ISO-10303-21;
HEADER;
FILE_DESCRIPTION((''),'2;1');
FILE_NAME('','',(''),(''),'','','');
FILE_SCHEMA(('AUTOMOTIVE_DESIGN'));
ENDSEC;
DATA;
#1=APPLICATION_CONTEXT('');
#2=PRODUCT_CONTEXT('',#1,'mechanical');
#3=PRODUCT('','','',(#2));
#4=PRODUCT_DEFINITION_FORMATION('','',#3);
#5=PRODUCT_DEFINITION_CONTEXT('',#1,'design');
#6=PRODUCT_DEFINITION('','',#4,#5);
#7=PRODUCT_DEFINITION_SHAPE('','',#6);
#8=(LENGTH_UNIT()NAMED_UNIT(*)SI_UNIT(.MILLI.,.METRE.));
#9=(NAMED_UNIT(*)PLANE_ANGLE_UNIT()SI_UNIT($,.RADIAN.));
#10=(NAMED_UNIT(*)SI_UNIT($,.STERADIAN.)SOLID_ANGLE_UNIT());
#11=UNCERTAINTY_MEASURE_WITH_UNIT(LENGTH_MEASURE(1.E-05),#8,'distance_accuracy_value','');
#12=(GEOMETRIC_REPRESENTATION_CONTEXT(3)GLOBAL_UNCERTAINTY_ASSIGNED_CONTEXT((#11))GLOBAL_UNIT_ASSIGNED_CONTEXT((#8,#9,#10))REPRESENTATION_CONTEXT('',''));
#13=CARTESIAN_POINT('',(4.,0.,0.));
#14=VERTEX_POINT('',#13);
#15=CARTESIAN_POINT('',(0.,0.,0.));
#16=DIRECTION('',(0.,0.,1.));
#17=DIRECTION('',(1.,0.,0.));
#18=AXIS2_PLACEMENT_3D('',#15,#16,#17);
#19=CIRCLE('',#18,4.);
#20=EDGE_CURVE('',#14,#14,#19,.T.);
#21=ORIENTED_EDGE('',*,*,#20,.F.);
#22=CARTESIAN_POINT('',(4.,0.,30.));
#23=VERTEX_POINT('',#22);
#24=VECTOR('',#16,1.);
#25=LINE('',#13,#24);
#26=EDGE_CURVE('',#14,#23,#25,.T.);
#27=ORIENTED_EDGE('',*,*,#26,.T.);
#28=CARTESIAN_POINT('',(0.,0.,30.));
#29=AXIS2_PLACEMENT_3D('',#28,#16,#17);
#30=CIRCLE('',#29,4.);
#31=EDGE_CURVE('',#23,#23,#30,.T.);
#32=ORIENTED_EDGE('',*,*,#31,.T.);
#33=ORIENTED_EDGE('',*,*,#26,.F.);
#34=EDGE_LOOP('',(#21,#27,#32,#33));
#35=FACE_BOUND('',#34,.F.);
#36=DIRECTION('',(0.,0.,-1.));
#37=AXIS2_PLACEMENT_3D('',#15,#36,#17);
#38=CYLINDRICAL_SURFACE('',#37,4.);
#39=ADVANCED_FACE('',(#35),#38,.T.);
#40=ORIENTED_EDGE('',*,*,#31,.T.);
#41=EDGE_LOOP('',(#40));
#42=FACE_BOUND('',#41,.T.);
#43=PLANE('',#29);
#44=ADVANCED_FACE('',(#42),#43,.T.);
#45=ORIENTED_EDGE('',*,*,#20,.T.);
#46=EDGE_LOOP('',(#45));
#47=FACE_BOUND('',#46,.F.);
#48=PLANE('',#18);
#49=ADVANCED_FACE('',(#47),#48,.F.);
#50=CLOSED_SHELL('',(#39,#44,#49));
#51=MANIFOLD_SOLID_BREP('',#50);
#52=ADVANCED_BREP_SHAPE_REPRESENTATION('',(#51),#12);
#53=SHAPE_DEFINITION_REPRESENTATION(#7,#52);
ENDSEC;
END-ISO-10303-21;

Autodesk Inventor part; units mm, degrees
ref_plane "YZ Plane" through (0, 0, 0) normal (1, 0, 0) x (0, 1, 0)
ref_plane "XZ Plane" through (0, 0, 0) normal (0, 1, 0) x (-1, 0, 0)
ref_plane "XY Plane" through (0, 0, 0) normal (0, 0, 1) x (1, 0, 0)
sketch "スケッチ1" plane through (0, 0, 0) normal (0, 0, 1) x (1, 0, 0)
  circle A0 centre (0, 0) radius 4
  dimension "d0" = 8
extrude "押し出し1" add sketch "スケッチ1" along normal blind 30
properties part number "軸8-30"
